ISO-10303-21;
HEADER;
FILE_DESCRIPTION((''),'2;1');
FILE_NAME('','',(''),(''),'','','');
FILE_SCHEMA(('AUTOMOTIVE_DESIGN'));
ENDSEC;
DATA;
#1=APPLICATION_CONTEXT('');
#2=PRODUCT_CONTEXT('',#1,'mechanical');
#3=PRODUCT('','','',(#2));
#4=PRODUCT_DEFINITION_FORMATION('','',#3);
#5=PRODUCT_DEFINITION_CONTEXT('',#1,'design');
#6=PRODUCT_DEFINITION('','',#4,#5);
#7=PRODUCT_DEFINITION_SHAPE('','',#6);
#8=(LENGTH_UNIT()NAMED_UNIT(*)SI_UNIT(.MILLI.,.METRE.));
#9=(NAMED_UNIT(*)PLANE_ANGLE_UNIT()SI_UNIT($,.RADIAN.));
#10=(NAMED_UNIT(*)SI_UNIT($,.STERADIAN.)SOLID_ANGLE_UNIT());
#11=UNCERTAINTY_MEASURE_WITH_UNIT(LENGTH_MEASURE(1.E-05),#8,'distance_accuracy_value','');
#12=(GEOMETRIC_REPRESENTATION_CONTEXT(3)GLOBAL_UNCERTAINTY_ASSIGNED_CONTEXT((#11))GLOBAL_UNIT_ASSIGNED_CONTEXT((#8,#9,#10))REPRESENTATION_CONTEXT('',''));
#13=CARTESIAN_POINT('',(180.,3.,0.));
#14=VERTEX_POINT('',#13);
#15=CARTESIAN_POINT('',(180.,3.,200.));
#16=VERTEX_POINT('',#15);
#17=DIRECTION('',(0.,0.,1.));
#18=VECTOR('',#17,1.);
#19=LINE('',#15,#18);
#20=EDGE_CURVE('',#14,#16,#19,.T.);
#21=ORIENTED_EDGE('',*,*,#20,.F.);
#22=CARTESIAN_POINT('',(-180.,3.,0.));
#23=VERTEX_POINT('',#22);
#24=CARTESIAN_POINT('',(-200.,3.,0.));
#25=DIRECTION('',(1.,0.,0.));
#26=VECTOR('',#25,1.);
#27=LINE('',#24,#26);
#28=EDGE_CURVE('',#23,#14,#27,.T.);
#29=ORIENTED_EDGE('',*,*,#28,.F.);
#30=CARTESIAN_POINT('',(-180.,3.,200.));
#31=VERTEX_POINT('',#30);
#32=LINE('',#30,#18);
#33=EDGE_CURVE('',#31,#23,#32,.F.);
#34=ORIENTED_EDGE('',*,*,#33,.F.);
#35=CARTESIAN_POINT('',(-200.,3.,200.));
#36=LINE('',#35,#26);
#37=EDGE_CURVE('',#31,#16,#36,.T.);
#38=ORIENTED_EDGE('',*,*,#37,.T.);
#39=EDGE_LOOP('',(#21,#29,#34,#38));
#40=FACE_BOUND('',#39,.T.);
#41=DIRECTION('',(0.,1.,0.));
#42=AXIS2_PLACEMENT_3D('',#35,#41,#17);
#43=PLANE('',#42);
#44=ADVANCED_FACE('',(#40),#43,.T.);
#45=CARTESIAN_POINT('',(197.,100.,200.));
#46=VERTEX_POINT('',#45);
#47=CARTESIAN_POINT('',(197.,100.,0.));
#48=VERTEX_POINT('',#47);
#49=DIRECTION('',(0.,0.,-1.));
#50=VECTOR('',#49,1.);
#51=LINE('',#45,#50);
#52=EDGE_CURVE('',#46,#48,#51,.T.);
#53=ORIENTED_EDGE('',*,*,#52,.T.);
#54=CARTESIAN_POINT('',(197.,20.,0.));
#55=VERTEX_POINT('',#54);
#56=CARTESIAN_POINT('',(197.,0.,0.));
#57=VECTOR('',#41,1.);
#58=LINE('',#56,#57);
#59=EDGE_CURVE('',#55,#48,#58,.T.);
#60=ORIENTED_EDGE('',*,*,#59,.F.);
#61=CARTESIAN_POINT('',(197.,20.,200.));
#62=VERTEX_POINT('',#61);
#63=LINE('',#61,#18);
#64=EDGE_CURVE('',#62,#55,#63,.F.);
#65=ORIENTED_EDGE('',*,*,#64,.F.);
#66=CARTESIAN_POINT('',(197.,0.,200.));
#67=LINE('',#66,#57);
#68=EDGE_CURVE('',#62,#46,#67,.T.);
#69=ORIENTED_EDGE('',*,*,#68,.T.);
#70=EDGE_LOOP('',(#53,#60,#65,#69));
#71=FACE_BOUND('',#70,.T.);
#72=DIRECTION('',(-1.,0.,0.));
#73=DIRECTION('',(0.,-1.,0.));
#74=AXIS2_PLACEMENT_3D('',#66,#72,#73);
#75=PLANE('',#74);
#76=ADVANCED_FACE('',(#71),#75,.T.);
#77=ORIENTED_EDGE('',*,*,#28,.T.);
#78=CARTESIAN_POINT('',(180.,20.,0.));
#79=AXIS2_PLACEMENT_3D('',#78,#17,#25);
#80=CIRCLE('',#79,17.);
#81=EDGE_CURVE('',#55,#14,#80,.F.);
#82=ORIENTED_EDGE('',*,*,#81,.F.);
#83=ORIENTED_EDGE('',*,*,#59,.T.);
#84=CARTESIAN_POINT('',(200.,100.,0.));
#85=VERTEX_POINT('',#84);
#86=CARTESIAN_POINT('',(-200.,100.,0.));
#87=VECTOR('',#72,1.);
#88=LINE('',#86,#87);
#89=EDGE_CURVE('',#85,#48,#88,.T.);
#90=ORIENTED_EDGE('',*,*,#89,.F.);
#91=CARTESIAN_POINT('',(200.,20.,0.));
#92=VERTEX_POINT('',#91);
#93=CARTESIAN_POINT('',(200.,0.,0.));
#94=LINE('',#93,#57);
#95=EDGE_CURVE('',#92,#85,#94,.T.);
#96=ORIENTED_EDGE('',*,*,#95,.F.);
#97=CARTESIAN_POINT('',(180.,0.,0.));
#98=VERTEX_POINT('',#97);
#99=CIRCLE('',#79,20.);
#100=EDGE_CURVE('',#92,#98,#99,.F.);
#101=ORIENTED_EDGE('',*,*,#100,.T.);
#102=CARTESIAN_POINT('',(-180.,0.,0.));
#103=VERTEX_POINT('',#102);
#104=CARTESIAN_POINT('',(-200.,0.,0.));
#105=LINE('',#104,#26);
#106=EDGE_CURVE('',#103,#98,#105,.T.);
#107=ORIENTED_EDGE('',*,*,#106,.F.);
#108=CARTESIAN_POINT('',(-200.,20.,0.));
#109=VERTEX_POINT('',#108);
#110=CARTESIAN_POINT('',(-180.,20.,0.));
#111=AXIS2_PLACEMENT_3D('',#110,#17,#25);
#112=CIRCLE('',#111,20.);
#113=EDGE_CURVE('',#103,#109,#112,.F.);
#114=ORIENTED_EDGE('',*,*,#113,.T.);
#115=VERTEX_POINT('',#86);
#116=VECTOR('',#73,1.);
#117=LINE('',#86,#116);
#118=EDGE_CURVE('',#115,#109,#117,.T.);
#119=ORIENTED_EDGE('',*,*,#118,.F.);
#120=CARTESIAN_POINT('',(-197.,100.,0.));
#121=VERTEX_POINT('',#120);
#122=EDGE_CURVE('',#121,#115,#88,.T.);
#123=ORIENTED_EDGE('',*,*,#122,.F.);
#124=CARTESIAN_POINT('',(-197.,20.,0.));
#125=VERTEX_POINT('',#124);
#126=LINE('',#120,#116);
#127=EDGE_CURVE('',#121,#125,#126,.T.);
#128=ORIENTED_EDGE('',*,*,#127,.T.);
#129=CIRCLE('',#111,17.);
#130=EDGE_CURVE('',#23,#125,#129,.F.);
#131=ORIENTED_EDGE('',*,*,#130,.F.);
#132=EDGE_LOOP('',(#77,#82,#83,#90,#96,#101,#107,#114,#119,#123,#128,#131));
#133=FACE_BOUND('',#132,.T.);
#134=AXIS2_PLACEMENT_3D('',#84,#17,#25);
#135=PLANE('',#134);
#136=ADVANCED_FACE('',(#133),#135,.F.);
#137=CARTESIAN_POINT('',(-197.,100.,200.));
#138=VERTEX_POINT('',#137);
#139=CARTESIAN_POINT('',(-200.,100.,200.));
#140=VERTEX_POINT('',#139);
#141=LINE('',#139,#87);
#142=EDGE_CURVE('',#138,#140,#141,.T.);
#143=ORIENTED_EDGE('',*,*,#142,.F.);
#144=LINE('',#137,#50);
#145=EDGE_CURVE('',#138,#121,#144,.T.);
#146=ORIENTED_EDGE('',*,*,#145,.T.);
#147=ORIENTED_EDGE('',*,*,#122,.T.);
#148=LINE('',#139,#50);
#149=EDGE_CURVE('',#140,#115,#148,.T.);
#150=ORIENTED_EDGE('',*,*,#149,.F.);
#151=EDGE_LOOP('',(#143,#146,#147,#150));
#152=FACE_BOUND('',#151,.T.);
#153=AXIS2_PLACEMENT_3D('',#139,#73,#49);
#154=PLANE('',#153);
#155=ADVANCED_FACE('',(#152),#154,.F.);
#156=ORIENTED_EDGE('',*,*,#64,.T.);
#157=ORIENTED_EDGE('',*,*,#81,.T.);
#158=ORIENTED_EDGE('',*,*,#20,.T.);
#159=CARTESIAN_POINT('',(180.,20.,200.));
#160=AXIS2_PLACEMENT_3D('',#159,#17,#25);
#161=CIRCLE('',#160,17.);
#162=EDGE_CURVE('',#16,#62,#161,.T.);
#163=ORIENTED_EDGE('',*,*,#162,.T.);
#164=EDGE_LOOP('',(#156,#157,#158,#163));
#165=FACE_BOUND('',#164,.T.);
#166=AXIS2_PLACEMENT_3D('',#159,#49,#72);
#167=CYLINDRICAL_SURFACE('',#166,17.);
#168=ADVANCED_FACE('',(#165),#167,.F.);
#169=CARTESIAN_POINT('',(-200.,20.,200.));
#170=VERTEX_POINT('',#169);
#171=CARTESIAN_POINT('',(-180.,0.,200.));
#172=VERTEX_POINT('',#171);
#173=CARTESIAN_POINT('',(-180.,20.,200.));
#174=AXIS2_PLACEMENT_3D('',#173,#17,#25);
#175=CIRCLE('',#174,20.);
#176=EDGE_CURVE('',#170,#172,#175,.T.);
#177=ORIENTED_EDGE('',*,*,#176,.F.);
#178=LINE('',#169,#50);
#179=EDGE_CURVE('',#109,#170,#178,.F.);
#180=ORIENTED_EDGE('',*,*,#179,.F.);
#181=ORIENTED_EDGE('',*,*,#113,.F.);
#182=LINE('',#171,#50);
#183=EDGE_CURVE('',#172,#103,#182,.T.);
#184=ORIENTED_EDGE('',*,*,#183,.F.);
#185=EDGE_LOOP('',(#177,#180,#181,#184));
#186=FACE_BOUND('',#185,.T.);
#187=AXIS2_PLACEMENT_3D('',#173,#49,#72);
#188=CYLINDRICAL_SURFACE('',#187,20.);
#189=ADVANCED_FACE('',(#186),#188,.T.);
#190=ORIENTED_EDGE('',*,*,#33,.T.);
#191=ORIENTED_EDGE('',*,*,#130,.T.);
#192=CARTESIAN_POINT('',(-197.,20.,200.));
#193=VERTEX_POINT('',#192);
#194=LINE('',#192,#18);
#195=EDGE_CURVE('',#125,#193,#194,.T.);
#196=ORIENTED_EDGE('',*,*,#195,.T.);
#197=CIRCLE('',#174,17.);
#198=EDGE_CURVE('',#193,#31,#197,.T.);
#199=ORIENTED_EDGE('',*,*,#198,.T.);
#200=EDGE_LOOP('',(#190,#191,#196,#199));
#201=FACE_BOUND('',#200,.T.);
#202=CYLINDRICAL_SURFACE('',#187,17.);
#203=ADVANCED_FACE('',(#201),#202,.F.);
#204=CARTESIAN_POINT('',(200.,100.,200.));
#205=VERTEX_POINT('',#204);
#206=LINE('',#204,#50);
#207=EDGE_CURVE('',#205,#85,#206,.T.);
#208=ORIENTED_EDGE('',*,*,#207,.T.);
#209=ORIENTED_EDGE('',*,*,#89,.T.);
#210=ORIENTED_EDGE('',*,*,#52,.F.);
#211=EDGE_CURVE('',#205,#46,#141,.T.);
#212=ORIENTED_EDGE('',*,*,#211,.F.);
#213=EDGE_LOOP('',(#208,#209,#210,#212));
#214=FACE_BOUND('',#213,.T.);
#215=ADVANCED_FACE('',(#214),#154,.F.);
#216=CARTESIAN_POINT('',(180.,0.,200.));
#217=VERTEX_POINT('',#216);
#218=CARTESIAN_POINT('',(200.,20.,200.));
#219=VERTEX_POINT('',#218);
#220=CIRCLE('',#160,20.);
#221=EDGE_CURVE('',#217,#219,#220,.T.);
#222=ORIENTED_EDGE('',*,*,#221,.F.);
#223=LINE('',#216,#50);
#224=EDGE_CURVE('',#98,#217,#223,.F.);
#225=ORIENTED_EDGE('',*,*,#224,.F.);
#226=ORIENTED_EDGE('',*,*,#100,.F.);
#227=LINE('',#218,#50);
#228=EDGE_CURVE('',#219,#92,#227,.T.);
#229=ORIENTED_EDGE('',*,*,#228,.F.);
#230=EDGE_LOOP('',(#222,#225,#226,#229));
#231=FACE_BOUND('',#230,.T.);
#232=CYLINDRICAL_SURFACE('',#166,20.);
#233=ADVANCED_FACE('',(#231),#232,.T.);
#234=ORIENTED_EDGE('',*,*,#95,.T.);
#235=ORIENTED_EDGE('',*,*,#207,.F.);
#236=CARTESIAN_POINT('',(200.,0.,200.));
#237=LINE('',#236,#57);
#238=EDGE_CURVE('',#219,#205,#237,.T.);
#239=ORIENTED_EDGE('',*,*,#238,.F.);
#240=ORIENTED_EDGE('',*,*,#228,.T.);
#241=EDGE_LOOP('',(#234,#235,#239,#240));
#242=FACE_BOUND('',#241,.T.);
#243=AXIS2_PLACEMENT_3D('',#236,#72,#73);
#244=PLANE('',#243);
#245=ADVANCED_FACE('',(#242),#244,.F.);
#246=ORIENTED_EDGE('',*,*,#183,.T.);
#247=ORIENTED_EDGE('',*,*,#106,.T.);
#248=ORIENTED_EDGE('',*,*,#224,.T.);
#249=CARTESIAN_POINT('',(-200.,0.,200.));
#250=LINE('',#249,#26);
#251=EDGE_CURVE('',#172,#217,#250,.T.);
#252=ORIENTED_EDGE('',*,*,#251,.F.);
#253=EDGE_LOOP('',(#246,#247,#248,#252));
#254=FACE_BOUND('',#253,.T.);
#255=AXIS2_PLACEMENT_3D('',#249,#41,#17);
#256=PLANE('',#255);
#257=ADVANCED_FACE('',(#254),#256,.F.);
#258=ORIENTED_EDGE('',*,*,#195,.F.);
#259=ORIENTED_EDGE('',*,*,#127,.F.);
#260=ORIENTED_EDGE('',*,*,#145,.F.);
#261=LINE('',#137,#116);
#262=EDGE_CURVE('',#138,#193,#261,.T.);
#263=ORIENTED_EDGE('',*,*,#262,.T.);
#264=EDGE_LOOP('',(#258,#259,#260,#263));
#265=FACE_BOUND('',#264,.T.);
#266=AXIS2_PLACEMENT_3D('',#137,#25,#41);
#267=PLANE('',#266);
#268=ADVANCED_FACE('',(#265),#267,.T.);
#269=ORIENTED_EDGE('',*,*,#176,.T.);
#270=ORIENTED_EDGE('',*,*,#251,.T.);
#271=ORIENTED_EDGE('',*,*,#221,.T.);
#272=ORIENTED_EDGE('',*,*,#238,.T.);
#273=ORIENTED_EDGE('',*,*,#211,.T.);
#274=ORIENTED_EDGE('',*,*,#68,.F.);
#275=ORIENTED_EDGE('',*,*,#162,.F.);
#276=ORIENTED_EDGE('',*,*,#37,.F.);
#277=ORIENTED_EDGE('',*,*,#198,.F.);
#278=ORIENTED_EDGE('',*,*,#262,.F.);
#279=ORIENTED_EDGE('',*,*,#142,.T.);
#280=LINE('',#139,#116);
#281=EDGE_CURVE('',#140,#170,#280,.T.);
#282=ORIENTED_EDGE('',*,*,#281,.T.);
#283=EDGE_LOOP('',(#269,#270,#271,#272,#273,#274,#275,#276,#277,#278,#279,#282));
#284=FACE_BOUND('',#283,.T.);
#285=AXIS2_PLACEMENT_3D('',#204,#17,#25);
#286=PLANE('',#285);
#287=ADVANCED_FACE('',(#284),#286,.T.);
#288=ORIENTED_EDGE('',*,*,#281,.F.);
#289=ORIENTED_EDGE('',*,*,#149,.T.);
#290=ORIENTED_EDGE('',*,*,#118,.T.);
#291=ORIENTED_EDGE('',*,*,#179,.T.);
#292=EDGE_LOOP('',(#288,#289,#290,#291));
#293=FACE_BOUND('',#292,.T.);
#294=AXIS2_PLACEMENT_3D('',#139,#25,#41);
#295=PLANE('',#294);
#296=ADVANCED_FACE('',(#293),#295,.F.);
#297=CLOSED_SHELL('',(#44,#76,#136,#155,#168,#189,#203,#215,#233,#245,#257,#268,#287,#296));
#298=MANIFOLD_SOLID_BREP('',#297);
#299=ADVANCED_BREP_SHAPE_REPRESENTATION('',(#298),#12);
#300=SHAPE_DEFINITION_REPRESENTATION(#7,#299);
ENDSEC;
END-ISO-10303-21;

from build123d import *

# Parameters (mm, degrees)
SKETCH_1_W      = 400
SKETCH_1_H      = 100
EXTRUDE_1_DEPTH = 200
FILLET_1_R      = 20
SHELL_1_T       = -3


with BuildPart() as part:
    # 草圖1 → 伸長1 (new body)
    with BuildSketch(Plane.XY):
        with Locations((0, 50)):
            Rectangle(SKETCH_1_W, SKETCH_1_H)
    extrude(amount=EXTRUDE_1_DEPTH)

    # 圓角1
    fillet_1_edges = [part.edges().sort_by_distance(p)[0] for p in [
        (200, 0, 100),
        (-200, 0, 100),
    ]]
    fillet(fillet_1_edges, radius=FILLET_1_R)

    # 薄殼1
    shell_1_openings = [part.faces().sort_by_distance(p)[0] for p in [
        (0, 50.196270167, 200),
        (0, 50.196270167, 0),
        (0, 100, 100),
    ]]
    offset(amount=SHELL_1_T, openings=shell_1_openings, kind=Kind.INTERSECTION)


solid = part.part
